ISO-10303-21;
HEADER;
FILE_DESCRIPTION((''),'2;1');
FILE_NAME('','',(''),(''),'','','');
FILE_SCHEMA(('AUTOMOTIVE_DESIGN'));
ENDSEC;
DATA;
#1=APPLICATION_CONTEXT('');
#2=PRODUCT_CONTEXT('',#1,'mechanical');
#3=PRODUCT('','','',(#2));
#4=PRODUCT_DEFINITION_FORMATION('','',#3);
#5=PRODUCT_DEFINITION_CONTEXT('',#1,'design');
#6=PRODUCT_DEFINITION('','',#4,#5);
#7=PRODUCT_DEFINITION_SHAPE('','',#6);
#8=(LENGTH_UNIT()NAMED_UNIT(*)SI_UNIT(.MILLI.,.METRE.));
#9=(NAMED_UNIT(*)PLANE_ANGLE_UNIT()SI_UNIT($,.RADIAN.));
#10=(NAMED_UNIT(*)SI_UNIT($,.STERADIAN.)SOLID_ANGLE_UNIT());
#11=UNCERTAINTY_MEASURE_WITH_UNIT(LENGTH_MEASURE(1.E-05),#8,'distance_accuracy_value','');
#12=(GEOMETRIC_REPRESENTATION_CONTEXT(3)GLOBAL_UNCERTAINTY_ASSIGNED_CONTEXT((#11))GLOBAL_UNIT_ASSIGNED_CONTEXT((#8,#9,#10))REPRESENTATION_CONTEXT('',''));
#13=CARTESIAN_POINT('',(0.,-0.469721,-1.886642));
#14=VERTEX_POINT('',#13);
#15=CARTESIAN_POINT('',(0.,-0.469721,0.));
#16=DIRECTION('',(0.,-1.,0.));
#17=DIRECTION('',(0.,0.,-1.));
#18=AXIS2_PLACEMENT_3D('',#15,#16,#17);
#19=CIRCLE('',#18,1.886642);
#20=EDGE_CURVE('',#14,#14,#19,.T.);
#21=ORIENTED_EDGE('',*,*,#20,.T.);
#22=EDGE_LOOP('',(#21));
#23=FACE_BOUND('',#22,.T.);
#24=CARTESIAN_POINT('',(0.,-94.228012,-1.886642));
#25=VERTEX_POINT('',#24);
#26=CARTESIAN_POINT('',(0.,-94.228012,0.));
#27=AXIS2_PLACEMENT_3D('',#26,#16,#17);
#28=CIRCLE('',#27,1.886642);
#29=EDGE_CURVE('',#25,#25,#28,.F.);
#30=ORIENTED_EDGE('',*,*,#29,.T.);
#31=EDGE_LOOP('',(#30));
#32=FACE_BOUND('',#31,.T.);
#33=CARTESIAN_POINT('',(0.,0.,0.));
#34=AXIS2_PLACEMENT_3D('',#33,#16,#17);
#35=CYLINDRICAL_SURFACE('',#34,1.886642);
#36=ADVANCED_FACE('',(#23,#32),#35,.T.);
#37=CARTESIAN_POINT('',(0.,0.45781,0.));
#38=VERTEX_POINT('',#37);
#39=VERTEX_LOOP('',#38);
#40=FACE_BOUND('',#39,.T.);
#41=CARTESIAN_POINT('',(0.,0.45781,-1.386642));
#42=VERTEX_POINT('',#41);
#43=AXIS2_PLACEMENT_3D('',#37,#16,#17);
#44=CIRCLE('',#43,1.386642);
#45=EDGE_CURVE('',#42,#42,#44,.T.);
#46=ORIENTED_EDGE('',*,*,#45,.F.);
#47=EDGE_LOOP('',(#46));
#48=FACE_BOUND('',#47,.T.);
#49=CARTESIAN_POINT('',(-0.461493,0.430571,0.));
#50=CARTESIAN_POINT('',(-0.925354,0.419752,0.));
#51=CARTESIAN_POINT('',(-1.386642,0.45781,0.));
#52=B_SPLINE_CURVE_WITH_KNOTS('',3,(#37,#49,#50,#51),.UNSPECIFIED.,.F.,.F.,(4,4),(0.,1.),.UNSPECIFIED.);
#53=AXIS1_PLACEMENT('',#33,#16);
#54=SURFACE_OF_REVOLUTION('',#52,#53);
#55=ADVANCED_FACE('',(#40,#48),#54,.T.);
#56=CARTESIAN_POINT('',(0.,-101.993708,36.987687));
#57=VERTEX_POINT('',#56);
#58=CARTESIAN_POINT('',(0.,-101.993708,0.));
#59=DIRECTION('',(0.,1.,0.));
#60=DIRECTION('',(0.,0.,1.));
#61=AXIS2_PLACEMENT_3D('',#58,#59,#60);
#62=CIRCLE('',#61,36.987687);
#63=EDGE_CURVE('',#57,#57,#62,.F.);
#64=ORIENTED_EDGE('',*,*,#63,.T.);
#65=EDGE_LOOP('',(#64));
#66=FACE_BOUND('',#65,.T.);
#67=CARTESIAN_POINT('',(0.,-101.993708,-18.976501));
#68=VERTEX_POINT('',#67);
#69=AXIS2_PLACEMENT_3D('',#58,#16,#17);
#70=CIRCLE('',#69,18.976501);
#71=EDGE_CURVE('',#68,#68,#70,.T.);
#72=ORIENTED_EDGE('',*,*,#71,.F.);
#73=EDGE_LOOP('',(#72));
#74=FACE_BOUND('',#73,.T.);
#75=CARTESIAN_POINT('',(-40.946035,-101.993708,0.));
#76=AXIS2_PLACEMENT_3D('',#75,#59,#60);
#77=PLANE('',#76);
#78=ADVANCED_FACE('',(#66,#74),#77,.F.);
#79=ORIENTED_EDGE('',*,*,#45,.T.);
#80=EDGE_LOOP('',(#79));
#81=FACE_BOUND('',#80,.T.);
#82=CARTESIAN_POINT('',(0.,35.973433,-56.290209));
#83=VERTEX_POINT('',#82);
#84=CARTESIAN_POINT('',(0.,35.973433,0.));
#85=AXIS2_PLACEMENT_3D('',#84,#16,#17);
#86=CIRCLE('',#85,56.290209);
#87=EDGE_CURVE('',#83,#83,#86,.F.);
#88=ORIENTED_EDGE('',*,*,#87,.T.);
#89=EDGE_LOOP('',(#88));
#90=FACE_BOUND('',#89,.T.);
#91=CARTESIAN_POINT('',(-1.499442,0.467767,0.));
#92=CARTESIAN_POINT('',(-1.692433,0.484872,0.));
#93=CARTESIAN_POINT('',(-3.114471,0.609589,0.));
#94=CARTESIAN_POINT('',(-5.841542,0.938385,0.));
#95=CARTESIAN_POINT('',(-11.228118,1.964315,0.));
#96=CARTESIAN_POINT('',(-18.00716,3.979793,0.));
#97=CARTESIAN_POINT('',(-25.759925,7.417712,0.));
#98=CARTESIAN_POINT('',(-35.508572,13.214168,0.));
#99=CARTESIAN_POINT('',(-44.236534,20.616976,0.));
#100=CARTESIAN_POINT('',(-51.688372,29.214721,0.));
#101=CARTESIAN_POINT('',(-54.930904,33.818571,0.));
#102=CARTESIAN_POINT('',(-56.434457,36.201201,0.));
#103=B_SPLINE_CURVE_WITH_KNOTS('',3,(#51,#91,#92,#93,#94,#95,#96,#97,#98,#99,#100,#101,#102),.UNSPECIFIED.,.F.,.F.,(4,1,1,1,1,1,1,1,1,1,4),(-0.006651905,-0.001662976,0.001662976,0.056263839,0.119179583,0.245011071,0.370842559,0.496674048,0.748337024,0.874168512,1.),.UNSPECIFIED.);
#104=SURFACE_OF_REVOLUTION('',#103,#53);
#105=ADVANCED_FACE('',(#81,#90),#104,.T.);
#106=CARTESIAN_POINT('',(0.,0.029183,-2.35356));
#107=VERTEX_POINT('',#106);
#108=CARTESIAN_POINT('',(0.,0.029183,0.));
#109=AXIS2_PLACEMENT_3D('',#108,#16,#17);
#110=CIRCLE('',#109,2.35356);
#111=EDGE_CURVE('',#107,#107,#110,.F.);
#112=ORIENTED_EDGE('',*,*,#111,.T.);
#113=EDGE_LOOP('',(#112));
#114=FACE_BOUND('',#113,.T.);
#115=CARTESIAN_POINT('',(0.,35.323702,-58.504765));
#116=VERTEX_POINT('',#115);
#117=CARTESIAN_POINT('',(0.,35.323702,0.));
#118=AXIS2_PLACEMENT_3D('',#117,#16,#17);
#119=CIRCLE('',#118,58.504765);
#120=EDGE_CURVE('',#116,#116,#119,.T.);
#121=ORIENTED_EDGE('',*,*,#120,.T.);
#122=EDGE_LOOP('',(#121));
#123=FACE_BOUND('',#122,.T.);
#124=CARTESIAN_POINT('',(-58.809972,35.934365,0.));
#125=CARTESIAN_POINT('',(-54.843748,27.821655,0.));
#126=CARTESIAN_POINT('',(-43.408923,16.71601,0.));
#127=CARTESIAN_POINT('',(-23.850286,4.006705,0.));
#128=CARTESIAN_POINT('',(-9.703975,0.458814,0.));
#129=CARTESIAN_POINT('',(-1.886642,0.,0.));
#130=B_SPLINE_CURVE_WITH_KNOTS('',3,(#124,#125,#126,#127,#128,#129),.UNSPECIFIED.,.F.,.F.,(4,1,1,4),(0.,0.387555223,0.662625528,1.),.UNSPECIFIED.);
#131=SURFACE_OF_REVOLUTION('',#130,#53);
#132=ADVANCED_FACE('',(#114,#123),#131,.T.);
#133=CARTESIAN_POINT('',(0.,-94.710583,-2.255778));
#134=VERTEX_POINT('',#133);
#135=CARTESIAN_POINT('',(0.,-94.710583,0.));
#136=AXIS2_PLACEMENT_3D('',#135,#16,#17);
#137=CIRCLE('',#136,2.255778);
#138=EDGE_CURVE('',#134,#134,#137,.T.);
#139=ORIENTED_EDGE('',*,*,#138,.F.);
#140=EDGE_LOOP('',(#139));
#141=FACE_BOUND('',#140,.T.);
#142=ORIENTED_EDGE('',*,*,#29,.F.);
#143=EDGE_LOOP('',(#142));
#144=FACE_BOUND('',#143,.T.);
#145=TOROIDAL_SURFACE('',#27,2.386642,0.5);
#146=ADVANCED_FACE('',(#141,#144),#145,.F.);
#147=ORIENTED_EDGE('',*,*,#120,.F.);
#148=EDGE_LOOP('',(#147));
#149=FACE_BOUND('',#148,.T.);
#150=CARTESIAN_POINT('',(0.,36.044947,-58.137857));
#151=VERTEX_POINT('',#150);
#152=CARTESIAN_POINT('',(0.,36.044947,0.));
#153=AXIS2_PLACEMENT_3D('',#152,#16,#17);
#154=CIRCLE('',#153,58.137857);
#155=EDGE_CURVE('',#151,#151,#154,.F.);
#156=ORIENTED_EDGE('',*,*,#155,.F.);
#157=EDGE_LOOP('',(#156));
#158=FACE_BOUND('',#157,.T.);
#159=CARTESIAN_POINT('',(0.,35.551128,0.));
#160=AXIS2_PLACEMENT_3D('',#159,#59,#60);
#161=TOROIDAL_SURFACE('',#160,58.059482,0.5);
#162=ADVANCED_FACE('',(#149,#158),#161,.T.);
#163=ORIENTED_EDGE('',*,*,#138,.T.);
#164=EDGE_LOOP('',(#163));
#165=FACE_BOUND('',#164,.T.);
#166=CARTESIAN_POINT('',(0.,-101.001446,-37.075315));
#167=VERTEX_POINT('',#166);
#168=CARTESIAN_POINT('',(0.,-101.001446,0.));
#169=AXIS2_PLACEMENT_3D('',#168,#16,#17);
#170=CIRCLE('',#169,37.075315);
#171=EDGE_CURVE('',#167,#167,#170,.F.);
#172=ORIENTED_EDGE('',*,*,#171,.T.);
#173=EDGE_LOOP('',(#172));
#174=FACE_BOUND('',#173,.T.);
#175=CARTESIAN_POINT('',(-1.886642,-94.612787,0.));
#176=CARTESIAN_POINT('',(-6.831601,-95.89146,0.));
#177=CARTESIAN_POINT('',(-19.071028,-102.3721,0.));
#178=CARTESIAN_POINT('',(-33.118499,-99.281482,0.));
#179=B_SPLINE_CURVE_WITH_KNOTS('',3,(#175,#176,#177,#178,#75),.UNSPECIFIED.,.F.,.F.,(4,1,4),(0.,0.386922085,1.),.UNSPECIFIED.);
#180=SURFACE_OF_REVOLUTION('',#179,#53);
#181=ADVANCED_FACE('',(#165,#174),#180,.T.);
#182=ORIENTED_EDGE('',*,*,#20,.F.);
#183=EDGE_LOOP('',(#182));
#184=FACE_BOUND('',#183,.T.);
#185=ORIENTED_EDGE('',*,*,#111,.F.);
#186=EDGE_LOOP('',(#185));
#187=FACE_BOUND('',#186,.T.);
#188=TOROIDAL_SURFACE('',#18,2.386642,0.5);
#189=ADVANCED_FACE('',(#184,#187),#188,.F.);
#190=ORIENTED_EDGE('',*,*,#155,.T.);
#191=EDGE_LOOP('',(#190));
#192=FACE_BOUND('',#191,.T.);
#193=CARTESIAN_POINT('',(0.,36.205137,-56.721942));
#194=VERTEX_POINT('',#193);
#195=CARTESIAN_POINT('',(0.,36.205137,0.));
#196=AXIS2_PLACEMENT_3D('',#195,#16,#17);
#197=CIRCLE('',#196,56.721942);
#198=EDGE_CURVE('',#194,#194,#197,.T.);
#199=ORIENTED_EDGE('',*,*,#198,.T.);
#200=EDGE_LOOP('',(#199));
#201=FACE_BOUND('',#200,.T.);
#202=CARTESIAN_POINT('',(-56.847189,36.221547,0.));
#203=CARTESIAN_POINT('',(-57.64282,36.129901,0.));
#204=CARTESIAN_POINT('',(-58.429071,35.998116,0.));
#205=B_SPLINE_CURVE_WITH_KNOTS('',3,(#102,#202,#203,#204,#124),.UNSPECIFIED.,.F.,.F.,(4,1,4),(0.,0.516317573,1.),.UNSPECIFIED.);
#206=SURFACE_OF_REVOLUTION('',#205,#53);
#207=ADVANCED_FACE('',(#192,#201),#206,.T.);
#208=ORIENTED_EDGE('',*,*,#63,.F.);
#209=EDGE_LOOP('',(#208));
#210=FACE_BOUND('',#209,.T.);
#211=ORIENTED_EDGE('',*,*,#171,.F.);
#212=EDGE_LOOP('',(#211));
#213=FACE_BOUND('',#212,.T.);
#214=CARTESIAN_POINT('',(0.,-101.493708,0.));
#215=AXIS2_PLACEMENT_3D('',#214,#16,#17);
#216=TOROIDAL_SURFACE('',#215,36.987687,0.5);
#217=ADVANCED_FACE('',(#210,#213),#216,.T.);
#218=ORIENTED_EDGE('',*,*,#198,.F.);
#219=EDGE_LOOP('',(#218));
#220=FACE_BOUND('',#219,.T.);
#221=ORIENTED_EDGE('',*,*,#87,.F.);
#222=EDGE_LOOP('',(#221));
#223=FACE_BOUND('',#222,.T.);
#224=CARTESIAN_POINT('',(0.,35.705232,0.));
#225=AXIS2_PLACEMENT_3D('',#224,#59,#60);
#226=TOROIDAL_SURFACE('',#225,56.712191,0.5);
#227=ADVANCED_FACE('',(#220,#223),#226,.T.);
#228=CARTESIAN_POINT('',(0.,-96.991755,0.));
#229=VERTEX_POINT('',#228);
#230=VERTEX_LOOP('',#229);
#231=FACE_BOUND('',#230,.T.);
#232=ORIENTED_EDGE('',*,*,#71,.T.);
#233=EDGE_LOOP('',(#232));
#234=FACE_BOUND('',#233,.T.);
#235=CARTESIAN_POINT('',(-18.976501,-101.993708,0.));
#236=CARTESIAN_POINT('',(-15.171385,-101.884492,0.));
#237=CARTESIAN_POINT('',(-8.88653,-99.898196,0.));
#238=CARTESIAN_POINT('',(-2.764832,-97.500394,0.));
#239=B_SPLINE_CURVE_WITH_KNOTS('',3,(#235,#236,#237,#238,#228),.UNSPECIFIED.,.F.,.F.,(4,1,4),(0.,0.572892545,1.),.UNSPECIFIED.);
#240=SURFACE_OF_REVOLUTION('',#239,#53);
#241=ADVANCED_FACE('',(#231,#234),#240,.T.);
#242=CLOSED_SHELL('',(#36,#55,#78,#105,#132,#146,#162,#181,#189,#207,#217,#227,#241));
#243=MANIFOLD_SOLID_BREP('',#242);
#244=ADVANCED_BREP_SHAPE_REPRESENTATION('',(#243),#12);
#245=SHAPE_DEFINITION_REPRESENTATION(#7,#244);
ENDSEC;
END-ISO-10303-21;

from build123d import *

# Parameters (mm, degrees)
FILLET1_R = 0.5
FILLET2_R = 0.5


with BuildPart() as part:
    # Sketch1 → Revolve2 (revolve)
    with BuildSketch(Plane.XY):
        with BuildLine():
            Line((-1.886642267, 0), (-1.886642267, -94.612786767))
            add(Edge.make_bspline(
                [(-1.886642267, -94.612786767), (-6.83160133, -95.891459777), (-19.07102765, -102.372099832), (-33.118499178, -99.28148197), (-40.946034813, -101.993707722)],
                knots=[0, 0, 0, 0, 0.386922085, 1, 1, 1, 1], degree=3))
            Line((-40.946034813, -101.993707722), (-18.976501423, -101.993707722))
            add(Edge.make_bspline(
                [(-18.976501423, -101.993707722), (-15.171385249, -101.884491553), (-8.886530255, -99.898195702), (-2.764831651, -97.500393926), (0, -96.991755192)],
                knots=[0, 0, 0, 0, 0.572892545, 1, 1, 1, 1], degree=3))
            Line((0, -96.991755192), (0, 0.457810217))
            add(Edge.make_bspline(
                [(-1.386642151, 0.457810217), (-0.925353782, 0.419752043), (-0.461493172, 0.43057108), (0, 0.457810217)],
                knots=[0, 0, 0, 0, 1, 1, 1, 1], degree=3))
            add(Edge.make_bspline(
                [(-1.386642151, 0.457810217), (-1.499441508, 0.467766744), (-1.692433227, 0.484872477), (-3.114470681, 0.609588512), (-5.841541743, 0.938384795), (-11.228118205, 1.964314794), (-18.007160307, 3.979793044), (-25.759924872, 7.417712415), (-35.508571936, 13.214167833), (-44.236533858, 20.616976444), (-51.688372429, 29.21472079), (-54.930903774, 33.818571485), (-56.434457232, 36.201201451)],
                knots=[-0.006651905, -0.006651905, -0.006651905, -0.006651905, -0.001662976, 0.001662976, 0.056263839, 0.119179583, 0.245011071, 0.370842559, 0.496674048, 0.748337024, 0.874168512, 1, 1, 1, 1], degree=3))
            add(Edge.make_bspline(
                [(-58.809972451, 35.934365424), (-58.429070629, 35.998115507), (-57.64282016, 36.129901354), (-56.847189048, 36.221547457), (-56.434457232, 36.201201451)],
                knots=[0, 0, 0, 0, 0.483682427, 1, 1, 1, 1], degree=3))
            add(Edge.make_bspline(
                [(-1.886642267, 0), (-9.703974981, 0.45881391), (-23.850286096, 4.006704857), (-43.408922852, 16.716010054), (-54.843748215, 27.82165464), (-58.809972451, 35.934365424)],
                knots=[0, 0, 0, 0, 0.337374472, 0.612444777, 1, 1, 1, 1], degree=3))
        make_face()
    revolve(axis=Axis((0, 0, 0), (0, 1, 0)))

    # Fillet1
    fillet1_edges = [part.edges().sort_by_distance(p)[0] for p in [
        (58.809972451, 35.934365424, 0),
        (56.434457232, 36.201201451, 0),
    ]]
    fillet(fillet1_edges, radius=FILLET1_R)

    # Fillet2
    fillet2_edges = [part.edges().sort_by_distance(p)[0] for p in [
        (40.946034813, -101.993707722, 0),
        (1.886642267, -94.612786767, 0),
        (1.886642267, 0, 0),
    ]]
    fillet(fillet2_edges, radius=FILLET2_R)


solid = part.part
